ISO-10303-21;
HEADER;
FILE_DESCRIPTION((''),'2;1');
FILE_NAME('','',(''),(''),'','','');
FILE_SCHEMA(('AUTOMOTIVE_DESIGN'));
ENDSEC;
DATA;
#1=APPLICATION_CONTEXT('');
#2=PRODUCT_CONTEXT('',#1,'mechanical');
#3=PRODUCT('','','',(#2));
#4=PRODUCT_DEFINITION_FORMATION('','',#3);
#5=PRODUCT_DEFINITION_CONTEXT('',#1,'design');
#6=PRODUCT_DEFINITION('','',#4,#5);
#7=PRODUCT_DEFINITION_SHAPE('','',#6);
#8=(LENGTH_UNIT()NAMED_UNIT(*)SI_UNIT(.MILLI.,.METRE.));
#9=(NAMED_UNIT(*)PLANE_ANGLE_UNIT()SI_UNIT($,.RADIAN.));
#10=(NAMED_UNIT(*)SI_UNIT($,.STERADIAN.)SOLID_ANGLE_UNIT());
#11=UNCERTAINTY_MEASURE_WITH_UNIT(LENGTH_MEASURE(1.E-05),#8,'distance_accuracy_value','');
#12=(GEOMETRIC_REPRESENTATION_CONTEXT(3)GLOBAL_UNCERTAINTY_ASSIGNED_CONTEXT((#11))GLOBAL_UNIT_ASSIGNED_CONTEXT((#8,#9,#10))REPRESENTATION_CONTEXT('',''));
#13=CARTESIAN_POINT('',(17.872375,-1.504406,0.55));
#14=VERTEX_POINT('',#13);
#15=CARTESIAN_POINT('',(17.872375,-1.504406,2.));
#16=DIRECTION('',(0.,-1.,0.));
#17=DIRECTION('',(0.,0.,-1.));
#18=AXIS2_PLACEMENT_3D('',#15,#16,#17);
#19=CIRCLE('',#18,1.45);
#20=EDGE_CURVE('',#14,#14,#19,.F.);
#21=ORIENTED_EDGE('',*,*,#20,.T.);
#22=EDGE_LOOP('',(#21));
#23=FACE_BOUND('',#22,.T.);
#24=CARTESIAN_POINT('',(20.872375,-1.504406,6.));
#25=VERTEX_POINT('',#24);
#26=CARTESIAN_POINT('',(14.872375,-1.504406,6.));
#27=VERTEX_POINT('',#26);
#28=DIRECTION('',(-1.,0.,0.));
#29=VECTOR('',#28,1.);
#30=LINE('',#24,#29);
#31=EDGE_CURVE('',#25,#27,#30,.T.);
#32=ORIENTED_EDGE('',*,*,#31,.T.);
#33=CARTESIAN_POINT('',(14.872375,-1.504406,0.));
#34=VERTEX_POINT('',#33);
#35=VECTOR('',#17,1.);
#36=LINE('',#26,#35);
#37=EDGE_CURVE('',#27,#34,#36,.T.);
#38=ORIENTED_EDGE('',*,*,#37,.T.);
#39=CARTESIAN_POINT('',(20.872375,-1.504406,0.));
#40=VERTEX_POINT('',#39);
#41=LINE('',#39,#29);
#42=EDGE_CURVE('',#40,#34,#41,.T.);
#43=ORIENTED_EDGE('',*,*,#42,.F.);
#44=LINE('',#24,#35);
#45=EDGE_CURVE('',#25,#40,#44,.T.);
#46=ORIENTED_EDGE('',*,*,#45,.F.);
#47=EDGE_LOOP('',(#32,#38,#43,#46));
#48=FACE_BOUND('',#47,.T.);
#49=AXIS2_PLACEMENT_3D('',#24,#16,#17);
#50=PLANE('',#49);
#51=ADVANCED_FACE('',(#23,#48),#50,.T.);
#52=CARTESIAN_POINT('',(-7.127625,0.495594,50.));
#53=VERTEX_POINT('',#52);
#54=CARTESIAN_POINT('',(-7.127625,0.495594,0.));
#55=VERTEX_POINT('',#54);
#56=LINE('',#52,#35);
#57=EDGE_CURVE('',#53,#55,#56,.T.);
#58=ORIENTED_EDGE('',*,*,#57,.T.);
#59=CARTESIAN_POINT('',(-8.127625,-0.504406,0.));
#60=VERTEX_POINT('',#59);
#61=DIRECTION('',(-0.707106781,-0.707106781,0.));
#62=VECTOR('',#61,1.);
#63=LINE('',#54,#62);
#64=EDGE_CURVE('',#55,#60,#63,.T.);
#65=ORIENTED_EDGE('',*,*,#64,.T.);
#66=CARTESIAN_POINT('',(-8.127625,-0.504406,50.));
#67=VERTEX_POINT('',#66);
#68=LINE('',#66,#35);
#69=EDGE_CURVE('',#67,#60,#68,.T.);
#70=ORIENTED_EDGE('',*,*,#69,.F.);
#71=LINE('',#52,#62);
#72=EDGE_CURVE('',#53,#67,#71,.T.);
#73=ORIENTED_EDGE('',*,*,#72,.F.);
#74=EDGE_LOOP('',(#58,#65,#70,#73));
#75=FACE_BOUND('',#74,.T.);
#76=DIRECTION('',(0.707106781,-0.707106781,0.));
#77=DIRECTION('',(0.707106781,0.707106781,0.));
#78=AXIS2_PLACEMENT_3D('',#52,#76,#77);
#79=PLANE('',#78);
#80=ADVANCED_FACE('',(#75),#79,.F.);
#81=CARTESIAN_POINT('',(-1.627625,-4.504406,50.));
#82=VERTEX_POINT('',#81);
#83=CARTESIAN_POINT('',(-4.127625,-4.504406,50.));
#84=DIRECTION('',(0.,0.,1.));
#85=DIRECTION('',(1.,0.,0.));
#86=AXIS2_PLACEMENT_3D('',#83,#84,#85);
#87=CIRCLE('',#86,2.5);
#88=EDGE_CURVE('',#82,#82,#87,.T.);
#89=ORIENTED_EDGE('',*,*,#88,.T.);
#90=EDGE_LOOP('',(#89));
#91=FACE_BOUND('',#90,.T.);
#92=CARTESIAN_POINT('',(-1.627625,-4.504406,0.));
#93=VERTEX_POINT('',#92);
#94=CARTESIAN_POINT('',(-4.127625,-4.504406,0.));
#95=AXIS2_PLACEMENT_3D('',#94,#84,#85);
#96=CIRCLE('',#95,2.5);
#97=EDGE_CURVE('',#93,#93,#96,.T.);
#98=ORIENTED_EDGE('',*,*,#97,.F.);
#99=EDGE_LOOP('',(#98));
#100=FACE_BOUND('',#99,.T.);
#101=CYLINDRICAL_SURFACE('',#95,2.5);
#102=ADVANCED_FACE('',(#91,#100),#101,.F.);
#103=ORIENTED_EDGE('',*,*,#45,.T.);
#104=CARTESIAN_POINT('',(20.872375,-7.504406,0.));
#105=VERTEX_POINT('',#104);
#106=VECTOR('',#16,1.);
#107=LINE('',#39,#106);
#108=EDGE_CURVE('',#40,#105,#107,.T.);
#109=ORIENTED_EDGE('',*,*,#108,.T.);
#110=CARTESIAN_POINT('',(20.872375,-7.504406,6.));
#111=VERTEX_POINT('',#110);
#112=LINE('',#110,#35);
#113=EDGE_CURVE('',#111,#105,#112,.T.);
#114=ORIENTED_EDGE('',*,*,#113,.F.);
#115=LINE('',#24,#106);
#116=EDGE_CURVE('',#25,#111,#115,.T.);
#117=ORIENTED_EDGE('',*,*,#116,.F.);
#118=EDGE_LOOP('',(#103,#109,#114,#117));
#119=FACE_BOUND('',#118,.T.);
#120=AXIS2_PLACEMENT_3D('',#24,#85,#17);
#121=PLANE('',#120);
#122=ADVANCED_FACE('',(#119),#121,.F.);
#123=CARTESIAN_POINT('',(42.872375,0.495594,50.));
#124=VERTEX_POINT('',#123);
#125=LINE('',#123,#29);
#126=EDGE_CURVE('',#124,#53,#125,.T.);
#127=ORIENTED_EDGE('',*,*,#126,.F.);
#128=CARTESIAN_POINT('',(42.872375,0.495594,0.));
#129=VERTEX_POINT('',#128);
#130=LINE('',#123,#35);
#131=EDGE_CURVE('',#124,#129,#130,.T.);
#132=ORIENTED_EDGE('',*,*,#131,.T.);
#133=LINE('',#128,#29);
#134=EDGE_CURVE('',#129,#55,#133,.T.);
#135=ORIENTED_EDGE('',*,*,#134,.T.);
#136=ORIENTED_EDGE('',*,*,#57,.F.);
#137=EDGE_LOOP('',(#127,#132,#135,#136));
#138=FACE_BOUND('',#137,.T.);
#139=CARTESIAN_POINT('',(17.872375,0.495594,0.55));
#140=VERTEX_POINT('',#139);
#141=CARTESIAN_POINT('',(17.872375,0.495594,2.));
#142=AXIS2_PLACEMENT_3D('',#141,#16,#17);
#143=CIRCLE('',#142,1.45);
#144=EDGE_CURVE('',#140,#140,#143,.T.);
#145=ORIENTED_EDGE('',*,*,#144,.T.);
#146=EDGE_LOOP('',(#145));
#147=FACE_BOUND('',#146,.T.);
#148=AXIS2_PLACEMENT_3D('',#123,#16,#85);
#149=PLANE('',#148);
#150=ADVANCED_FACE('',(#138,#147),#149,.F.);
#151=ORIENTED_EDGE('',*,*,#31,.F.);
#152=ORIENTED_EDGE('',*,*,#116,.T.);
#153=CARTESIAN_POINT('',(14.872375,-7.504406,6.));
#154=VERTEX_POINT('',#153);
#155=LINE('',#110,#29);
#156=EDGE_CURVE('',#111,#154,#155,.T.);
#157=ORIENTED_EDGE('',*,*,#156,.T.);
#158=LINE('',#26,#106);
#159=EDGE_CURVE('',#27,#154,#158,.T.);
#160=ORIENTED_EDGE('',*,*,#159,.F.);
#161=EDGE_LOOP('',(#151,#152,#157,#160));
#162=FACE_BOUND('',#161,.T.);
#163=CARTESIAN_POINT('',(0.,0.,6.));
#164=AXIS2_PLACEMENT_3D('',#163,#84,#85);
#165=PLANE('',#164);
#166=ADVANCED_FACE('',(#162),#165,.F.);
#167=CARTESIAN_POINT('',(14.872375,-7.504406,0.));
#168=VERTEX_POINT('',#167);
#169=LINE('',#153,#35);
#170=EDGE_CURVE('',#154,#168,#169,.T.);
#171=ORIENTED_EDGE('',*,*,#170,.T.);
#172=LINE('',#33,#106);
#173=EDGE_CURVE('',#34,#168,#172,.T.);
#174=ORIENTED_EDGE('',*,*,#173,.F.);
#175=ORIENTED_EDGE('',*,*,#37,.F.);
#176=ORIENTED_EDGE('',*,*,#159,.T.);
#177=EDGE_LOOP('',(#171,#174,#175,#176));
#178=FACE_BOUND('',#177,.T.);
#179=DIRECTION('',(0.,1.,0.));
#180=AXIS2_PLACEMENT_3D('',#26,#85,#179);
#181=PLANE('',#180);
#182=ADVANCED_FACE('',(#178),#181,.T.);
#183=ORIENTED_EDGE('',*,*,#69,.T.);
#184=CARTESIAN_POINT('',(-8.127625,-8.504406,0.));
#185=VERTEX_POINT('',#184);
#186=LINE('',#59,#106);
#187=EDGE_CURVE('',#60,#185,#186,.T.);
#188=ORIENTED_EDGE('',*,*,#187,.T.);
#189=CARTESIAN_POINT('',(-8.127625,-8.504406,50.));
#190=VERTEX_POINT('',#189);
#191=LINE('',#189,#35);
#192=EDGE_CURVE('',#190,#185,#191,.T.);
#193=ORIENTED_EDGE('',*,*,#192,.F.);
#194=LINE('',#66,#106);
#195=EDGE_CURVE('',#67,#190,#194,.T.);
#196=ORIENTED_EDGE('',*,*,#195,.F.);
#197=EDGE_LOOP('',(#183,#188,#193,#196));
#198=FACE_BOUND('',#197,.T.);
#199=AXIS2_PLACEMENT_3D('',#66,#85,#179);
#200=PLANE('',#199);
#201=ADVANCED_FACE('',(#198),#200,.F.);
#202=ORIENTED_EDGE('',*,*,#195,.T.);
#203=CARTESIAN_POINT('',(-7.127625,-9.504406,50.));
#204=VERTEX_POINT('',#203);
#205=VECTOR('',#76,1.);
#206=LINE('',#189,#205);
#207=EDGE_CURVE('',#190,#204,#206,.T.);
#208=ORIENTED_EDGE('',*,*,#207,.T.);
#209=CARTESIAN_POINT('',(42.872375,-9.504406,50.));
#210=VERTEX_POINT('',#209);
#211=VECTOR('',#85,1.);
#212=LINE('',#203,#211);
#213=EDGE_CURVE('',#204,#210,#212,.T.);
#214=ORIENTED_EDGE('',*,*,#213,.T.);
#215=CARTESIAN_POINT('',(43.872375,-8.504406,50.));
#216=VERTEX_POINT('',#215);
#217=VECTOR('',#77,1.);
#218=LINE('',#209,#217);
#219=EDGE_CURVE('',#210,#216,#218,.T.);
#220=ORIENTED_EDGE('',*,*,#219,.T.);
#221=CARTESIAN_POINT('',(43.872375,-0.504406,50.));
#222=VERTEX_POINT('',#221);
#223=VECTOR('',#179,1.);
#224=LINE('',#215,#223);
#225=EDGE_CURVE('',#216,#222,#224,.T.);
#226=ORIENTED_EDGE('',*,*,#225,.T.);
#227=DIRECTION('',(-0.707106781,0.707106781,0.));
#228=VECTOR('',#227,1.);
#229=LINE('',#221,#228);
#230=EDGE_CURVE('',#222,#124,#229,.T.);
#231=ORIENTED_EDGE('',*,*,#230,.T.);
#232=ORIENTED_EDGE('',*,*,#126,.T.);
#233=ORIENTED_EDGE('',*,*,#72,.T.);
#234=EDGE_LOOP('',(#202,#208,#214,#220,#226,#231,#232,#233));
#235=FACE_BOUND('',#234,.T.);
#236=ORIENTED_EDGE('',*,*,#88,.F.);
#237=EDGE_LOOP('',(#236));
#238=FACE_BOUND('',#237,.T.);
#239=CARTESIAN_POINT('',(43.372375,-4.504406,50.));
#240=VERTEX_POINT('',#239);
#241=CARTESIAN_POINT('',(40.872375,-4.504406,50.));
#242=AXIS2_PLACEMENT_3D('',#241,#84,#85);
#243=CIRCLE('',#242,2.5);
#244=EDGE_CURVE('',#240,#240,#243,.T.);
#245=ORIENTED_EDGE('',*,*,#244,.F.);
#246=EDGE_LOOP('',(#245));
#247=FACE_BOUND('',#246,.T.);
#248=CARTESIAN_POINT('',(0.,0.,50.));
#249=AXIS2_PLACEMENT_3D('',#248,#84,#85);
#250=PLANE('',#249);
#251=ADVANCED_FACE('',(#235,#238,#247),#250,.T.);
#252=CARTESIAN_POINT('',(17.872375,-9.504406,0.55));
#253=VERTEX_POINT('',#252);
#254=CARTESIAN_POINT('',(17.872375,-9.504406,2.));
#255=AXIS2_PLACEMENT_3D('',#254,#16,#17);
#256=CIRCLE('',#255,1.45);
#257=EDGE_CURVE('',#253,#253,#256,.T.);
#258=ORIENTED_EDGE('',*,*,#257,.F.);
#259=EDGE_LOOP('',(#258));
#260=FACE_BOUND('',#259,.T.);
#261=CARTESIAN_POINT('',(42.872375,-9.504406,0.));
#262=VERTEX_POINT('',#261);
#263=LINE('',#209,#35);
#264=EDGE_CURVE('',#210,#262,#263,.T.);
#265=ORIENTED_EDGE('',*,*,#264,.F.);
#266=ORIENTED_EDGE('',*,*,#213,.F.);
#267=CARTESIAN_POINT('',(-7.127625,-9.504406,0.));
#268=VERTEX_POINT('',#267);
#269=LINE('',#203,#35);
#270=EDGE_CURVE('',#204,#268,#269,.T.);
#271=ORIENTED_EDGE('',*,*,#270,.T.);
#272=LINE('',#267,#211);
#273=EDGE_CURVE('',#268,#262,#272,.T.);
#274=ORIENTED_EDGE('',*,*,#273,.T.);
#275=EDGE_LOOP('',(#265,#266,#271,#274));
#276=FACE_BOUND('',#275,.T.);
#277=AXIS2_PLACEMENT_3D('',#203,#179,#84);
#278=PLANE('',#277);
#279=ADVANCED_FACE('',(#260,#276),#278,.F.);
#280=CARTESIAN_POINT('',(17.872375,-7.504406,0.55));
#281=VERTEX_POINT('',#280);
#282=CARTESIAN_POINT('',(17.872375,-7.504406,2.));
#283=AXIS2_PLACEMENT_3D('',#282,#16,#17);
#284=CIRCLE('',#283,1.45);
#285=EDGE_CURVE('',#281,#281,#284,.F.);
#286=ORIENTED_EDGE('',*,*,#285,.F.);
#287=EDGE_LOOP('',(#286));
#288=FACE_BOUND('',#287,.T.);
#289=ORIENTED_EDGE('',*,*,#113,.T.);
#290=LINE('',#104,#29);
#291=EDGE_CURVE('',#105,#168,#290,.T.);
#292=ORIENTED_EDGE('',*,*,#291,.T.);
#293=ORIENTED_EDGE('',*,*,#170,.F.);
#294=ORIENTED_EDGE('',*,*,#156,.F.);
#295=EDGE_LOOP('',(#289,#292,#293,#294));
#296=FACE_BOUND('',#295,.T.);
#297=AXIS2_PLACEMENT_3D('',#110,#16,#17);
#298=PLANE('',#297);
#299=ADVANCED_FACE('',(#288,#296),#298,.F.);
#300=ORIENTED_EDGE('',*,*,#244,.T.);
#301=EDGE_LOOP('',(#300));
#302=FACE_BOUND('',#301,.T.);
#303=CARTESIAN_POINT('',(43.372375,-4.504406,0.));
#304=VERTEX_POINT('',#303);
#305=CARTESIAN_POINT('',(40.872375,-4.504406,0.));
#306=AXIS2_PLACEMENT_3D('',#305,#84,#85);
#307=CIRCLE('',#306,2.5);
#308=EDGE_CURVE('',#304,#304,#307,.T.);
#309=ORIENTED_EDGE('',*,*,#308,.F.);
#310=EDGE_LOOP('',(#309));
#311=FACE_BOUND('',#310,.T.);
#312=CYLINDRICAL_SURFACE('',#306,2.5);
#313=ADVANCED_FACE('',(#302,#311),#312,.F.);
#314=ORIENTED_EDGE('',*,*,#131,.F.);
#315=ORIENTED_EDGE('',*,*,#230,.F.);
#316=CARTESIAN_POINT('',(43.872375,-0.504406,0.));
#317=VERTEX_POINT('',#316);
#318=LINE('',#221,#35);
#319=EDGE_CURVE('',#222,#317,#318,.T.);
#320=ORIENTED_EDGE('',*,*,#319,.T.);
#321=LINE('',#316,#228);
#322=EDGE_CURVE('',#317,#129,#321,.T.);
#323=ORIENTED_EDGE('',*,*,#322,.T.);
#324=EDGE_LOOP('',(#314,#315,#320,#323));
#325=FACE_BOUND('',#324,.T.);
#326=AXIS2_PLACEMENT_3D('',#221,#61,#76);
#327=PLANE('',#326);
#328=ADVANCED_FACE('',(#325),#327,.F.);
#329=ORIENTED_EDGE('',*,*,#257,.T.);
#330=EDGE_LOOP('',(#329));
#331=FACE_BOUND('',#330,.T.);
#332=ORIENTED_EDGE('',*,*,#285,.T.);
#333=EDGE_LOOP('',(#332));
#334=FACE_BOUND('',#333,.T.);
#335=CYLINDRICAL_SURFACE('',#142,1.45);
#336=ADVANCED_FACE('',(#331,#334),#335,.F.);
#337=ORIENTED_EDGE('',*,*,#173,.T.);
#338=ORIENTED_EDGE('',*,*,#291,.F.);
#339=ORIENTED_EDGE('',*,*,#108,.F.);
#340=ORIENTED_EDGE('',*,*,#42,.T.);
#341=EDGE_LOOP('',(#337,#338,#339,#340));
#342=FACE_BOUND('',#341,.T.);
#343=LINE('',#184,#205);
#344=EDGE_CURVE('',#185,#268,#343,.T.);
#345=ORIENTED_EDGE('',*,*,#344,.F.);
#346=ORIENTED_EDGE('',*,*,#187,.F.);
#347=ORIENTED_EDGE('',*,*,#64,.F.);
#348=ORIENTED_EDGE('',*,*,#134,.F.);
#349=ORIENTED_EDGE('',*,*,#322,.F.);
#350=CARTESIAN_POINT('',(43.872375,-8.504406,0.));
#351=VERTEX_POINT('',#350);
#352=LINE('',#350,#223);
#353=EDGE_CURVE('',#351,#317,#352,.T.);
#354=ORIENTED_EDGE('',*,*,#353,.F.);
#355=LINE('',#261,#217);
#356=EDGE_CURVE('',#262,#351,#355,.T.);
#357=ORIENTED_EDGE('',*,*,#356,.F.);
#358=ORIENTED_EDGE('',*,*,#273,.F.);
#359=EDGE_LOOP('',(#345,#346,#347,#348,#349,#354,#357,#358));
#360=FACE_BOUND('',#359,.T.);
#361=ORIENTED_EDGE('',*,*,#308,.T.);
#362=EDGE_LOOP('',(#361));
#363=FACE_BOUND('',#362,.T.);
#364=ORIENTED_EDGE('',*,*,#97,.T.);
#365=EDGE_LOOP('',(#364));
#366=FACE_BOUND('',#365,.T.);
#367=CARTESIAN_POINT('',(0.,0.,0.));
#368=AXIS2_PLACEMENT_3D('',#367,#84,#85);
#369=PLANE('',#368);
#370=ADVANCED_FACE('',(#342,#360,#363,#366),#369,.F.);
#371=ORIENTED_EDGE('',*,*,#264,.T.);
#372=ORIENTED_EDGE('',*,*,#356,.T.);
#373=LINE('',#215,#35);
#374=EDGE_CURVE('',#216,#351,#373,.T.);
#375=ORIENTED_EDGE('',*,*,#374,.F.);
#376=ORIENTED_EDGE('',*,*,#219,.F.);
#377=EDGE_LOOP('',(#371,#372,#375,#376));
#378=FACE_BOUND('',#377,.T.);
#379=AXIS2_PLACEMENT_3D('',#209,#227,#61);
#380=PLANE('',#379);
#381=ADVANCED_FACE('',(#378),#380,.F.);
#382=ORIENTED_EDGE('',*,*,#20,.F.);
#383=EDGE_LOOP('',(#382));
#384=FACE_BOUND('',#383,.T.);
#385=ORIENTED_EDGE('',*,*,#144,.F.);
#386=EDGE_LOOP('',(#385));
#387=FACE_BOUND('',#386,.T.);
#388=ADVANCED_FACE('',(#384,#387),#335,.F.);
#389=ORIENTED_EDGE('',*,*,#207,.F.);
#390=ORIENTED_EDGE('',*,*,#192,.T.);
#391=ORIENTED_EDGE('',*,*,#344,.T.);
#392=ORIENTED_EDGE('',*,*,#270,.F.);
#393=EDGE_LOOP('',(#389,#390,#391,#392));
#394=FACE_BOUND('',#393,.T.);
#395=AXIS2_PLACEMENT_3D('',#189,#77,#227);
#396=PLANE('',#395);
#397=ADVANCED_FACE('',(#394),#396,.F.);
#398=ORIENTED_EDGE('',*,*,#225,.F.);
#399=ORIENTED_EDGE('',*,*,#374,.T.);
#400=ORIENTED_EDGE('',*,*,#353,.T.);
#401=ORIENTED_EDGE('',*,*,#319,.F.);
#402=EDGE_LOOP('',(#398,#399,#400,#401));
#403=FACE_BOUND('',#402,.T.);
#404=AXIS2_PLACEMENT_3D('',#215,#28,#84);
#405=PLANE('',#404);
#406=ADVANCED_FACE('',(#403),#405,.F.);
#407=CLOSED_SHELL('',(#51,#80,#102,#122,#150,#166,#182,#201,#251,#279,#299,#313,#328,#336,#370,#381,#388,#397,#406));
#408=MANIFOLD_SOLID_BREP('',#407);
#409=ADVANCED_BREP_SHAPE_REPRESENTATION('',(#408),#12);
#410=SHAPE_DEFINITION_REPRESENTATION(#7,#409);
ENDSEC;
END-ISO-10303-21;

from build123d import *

# Parameters (mm, degrees)
BOSS_EXTRUDE1_DEPTH = 50
SKETCH2_R           = 2.5
CUT_EXTRUDE1_DEPTH  = 68.194635476
SKETCH3_R           = 1.45
CUT_EXTRUDE2_DEPTH  = 68.26652433
SKETCH4_W           = 6
SKETCH4_H           = 6
CUT_EXTRUDE4_DEPTH  = 6


with BuildPart() as part:
    # Sketch1 → Boss-Extrude1 (new body)
    with BuildSketch(Plane.XY):
        Polygon((42.872375084, -9.504406412), (43.872375084, -8.504406412), (43.872375084, -0.504406412), (42.872375084, 0.495593588), (-7.127624916, 0.495593588), (-8.127624916, -0.504406412), (-8.127624916, -8.504406412), (-7.127624916, -9.504406412), align=None)
    extrude(amount=BOSS_EXTRUDE1_DEPTH)

    # Sketch2 → Cut-Extrude1 (cut, through all)
    with BuildSketch(Plane.XY.offset(50)):
        with Locations((-4.127624916, -4.504406412)):
            Circle(SKETCH2_R)
        with Locations((40.872375084, -4.504406412)):
            Circle(SKETCH2_R)
    extrude(amount=-CUT_EXTRUDE1_DEPTH, mode=Mode.SUBTRACT)

    # Sketch3 → Cut-Extrude2 (cut, through all)
    with BuildSketch(Plane.XZ.offset(9.504406412)):
        with Locations(Location((17.872375084, 2, 0), (0, 0, 270))):
            Circle(SKETCH3_R)
    extrude(amount=-CUT_EXTRUDE2_DEPTH, mode=Mode.SUBTRACT)

    # Sketch4 → Cut-Extrude4 (cut)
    with BuildSketch(Plane(origin=(0, 0, 0), x_dir=(-1, 0, 0), z_dir=(0, 0, -1))):
        with Locations((-17.872375084, -4.504406412)):
            Rectangle(SKETCH4_W, SKETCH4_H)
    extrude(amount=-CUT_EXTRUDE4_DEPTH, mode=Mode.SUBTRACT)


solid = part.part
